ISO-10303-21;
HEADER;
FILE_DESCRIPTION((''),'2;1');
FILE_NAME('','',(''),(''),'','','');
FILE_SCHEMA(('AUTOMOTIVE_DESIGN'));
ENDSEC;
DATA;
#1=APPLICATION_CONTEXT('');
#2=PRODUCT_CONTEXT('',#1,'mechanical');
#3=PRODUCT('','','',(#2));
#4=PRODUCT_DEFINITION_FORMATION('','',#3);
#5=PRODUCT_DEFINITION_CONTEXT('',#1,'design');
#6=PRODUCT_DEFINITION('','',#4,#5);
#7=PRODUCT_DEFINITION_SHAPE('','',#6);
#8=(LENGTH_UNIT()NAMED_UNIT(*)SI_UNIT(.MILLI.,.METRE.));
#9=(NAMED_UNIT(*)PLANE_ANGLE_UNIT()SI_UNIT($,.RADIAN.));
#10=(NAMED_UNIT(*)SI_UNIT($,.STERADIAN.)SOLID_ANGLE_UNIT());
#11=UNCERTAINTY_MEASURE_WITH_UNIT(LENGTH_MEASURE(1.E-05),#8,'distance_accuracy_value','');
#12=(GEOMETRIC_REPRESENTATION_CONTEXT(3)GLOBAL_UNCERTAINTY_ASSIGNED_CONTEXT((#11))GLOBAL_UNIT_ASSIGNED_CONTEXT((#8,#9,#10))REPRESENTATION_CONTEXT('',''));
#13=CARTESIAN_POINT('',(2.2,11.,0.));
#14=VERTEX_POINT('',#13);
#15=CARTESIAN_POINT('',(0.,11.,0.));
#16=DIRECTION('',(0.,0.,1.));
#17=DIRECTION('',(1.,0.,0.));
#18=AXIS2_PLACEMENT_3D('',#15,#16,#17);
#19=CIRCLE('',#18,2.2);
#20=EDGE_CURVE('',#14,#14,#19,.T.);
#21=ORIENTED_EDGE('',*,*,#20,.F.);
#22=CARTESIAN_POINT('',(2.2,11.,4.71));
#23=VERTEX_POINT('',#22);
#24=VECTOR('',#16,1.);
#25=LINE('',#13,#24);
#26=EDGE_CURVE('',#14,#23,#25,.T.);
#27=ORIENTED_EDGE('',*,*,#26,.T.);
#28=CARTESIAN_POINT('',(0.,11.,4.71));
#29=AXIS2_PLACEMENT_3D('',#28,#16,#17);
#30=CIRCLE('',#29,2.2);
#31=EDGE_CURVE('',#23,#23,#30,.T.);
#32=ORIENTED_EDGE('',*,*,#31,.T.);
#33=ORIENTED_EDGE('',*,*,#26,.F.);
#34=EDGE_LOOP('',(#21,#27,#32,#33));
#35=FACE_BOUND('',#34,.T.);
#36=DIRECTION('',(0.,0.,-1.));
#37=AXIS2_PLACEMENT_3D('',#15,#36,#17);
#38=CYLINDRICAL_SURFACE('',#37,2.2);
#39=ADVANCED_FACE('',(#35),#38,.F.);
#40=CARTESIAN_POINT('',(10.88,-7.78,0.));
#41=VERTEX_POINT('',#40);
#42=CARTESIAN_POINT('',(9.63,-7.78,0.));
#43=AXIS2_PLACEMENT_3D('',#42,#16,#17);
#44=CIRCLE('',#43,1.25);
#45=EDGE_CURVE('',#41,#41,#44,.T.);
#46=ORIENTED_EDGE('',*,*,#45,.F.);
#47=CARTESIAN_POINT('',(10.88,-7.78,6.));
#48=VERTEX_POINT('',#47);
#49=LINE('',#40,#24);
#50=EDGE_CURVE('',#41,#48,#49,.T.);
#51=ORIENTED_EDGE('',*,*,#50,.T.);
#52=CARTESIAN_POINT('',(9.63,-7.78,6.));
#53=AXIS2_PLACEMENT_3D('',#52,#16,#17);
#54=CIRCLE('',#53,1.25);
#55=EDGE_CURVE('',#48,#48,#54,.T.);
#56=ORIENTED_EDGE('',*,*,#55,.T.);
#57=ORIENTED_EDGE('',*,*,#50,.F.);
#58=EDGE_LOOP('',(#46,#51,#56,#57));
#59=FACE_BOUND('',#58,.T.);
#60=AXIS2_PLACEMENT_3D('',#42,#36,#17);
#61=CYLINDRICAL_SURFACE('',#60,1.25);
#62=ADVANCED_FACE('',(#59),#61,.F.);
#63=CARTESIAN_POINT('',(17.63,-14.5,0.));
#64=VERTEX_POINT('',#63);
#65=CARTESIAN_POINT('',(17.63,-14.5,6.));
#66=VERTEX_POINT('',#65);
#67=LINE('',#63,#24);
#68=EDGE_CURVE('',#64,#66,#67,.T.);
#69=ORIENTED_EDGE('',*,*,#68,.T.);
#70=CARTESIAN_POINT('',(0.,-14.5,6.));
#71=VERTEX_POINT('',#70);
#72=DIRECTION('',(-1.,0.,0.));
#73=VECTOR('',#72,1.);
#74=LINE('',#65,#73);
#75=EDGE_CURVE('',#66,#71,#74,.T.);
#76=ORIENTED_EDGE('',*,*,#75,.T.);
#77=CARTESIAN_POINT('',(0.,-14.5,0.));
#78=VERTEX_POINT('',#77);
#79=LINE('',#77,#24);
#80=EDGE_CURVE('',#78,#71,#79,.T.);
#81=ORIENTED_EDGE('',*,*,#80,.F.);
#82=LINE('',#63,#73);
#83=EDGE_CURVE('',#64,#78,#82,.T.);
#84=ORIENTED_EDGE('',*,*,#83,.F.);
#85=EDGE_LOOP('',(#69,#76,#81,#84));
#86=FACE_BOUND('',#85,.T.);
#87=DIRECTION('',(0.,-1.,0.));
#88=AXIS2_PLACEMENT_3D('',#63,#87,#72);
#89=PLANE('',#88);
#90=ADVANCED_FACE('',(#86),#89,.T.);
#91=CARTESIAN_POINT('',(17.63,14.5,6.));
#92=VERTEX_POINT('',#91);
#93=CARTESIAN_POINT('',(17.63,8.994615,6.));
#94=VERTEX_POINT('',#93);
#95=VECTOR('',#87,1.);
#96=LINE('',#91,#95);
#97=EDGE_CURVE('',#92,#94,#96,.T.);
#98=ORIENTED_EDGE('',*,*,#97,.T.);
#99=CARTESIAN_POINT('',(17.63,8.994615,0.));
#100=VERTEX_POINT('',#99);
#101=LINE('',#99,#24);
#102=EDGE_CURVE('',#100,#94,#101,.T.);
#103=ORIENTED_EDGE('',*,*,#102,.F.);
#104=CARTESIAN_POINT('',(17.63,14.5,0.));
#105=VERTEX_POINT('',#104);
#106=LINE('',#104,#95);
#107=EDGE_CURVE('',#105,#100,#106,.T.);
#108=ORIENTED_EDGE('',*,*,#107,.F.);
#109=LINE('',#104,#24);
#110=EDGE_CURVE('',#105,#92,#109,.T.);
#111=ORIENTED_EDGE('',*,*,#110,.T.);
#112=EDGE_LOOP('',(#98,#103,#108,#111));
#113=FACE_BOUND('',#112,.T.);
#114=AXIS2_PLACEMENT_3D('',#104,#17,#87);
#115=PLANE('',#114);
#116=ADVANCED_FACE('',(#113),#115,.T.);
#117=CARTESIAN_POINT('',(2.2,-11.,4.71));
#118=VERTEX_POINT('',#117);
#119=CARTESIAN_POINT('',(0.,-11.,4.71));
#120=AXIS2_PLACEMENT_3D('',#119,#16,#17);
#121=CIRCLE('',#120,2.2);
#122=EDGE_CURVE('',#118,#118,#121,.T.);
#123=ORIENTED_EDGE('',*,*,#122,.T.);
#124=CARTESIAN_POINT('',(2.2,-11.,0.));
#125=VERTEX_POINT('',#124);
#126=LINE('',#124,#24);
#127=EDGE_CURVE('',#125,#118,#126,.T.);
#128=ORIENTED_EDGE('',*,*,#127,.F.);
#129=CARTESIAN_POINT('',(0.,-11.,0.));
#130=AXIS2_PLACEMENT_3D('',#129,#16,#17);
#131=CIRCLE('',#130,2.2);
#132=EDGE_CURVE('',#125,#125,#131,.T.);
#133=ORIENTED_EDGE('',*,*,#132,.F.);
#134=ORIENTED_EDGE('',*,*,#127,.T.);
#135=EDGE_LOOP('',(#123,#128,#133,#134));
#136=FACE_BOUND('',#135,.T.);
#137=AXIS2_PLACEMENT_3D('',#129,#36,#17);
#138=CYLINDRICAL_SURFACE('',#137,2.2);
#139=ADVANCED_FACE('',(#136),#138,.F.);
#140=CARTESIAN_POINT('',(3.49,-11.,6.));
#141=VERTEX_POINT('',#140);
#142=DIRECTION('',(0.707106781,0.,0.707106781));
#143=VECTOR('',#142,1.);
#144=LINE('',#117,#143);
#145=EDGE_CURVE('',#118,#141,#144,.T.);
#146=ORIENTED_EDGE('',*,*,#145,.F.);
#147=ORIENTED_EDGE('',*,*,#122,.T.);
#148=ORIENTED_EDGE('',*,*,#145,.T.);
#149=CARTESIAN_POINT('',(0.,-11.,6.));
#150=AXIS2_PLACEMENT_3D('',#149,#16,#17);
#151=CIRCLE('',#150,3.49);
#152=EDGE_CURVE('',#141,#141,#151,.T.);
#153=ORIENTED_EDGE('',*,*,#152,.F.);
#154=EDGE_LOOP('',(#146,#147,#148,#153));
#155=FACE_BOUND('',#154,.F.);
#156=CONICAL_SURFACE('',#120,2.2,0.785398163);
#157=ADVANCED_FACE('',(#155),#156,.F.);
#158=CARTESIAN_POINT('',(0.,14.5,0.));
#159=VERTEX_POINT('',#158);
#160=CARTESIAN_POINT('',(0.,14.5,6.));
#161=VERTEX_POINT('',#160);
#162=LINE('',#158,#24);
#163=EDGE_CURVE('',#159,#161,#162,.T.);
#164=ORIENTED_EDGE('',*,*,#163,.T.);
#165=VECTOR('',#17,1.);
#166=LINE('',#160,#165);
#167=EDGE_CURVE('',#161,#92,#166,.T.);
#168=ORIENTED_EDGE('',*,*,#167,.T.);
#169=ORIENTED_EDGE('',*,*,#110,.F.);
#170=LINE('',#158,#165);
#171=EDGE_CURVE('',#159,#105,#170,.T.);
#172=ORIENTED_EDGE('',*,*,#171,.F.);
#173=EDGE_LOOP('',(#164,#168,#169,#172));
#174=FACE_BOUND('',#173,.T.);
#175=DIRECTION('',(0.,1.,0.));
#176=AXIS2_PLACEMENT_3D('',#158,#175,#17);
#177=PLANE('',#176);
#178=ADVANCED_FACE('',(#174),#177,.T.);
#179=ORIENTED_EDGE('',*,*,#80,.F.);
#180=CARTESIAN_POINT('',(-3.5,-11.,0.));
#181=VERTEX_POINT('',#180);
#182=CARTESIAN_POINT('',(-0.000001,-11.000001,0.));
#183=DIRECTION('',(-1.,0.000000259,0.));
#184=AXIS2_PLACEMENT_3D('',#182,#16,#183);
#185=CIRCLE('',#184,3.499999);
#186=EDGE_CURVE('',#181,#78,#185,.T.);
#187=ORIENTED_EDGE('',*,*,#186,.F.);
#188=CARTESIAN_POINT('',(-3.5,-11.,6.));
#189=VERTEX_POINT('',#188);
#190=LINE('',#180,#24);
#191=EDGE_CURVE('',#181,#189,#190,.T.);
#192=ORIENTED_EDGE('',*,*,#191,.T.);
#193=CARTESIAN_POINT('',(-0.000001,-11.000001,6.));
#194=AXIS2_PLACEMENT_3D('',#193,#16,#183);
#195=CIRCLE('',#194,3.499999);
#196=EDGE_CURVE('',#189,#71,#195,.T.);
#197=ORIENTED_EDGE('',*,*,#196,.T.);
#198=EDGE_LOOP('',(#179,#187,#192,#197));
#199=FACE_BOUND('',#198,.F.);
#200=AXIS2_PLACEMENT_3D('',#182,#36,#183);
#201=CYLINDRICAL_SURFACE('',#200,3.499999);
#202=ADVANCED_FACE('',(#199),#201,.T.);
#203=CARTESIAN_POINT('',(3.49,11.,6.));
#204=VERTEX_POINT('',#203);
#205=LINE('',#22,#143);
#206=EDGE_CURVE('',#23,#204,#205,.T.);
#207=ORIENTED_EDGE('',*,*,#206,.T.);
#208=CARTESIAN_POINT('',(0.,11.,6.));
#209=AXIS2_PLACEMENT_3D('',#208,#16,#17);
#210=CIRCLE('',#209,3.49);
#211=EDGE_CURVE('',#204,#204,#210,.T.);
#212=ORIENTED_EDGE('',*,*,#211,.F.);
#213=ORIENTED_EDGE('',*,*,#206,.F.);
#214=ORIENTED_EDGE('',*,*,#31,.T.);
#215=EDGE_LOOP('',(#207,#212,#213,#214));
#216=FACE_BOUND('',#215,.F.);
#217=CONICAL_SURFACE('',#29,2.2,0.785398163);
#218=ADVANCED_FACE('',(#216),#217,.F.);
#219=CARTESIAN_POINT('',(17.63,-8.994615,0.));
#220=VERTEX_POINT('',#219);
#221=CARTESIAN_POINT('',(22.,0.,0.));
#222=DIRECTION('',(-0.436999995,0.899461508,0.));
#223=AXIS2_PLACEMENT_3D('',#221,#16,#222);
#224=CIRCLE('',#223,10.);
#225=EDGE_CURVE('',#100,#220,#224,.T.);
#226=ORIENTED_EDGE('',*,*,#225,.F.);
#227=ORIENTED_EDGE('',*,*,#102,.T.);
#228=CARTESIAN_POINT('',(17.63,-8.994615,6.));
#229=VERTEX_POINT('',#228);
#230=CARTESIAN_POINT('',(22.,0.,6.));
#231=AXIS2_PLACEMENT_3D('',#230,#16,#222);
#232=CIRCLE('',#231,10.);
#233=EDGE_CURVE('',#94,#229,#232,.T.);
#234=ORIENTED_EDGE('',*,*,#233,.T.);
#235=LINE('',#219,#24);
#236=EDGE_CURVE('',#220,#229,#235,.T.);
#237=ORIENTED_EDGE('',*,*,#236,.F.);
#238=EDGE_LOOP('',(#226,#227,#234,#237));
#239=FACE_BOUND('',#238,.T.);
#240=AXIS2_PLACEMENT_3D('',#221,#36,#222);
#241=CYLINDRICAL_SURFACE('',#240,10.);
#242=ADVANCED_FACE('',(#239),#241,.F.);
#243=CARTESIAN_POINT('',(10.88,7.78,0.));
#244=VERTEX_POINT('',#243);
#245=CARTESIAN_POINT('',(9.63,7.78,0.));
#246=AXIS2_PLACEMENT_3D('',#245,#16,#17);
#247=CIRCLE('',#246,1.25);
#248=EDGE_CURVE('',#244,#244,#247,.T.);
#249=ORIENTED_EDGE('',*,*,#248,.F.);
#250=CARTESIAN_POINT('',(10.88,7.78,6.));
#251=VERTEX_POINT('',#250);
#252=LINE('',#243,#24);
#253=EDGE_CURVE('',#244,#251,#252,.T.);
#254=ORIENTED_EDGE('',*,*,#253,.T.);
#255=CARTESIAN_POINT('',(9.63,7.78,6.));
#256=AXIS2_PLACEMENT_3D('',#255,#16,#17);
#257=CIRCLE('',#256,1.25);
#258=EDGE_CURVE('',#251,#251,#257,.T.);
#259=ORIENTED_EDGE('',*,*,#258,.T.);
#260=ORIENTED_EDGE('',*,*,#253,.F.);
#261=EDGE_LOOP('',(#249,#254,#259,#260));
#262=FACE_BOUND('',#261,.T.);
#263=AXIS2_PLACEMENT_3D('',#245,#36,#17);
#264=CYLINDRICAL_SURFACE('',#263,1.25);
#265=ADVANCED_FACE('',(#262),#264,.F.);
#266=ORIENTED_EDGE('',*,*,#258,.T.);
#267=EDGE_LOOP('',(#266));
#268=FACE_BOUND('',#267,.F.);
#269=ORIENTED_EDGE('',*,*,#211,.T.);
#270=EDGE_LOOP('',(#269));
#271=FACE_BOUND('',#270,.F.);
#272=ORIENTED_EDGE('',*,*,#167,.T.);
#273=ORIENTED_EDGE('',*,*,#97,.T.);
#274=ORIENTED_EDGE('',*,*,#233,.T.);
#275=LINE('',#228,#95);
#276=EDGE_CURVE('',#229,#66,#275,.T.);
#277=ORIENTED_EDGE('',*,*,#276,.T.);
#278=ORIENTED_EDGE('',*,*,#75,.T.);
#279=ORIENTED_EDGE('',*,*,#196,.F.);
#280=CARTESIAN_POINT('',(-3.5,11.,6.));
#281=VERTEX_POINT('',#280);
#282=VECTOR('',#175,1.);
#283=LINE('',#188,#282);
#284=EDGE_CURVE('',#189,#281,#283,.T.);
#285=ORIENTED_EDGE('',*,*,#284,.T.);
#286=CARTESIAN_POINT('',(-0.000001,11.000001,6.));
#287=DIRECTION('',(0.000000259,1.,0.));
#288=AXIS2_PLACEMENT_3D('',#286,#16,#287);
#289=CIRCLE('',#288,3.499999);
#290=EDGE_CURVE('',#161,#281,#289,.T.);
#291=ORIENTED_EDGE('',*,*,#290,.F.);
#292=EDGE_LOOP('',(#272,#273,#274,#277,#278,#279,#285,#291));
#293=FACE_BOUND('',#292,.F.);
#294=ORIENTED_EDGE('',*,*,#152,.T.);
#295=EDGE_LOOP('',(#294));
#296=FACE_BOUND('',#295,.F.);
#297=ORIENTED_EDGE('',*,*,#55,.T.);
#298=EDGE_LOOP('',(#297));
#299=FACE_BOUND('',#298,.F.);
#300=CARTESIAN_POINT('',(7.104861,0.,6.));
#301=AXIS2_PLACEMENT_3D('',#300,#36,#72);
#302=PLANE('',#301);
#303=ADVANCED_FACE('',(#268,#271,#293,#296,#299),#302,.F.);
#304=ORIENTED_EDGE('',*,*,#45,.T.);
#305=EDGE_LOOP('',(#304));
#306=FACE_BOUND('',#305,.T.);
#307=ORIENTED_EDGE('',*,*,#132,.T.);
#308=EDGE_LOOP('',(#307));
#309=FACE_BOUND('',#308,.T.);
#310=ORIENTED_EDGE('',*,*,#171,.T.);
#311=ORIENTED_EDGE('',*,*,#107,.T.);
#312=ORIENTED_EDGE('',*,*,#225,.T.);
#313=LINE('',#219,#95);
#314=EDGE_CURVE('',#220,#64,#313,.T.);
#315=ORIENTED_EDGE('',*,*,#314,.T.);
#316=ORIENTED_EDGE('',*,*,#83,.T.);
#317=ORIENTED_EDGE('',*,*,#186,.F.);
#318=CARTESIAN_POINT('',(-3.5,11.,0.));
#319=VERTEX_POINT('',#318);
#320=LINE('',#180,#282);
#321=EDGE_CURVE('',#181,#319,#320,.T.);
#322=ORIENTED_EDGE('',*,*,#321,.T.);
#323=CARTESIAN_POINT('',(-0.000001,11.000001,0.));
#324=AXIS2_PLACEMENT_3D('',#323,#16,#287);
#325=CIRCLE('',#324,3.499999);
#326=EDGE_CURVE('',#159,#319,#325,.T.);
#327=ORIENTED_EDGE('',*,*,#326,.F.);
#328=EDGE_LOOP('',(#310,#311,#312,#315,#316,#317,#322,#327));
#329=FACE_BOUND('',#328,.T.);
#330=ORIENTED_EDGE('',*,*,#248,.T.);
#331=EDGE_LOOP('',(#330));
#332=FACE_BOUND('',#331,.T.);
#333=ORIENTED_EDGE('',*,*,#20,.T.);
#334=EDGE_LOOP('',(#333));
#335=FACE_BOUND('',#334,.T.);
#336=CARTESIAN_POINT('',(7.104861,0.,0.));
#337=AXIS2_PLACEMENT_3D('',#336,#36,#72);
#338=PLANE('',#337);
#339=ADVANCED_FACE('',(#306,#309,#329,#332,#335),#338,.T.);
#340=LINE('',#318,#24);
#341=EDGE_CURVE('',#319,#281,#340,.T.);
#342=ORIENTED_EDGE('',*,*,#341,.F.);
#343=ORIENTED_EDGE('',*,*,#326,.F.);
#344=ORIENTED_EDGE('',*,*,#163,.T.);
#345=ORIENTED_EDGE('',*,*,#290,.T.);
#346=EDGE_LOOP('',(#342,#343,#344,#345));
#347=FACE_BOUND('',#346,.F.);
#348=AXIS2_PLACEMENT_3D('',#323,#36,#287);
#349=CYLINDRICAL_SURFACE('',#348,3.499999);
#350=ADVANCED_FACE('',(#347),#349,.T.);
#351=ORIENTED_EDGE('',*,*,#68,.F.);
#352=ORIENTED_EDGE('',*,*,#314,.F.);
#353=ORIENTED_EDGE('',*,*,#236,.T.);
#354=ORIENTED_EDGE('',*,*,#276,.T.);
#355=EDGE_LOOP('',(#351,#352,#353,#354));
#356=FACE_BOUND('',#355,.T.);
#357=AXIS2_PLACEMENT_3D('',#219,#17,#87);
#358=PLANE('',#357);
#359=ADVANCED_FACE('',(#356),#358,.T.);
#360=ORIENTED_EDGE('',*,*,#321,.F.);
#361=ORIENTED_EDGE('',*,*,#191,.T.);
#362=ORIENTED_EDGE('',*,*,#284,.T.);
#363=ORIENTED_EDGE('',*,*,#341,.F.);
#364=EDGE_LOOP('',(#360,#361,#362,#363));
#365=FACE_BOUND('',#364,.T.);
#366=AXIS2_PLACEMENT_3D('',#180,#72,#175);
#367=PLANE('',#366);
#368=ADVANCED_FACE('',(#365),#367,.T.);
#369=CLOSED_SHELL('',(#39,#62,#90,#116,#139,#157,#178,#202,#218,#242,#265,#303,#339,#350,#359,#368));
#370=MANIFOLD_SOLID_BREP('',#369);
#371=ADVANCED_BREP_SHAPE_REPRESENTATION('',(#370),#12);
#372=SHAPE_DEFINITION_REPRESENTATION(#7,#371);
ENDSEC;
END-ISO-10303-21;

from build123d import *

# Parameters (mm, degrees)
SKETCH_R     = 2.2
SKETCH_R_2   = 1.25
PAD_DEPTH    = 6
CHAMFER_SIZE = 1.29


with BuildPart() as part:
    # Sketch → Pad (new body)
    with BuildSketch(Plane.XY):
        with BuildLine():
            Line((0, 14.5), (17.63, 14.5))
            Line((17.63, 14.5), (17.63, 8.994615))
            ThreePointArc((17.63, 8.994615), (12, 0), (17.63, -8.994615))
            Line((17.63, -8.994615), (17.63, -14.5))
            Line((17.63, -14.5), (0, -14.5))
            ThreePointArc((-3.5, -11), (-2.474874, -13.474874), (0, -14.5))
            Line((-3.5, -11), (-3.5, 11))
            ThreePointArc((0, 14.5), (-2.474874, 13.474874), (-3.5, 11))
        make_face()
        with Locations((0, 11)):
            Circle(SKETCH_R, mode=Mode.SUBTRACT)
        with Locations((0, -11)):
            Circle(SKETCH_R, mode=Mode.SUBTRACT)
        with Locations((9.63, 7.78)):
            Circle(SKETCH_R_2, mode=Mode.SUBTRACT)
        with Locations((9.63, -7.78)):
            Circle(SKETCH_R_2, mode=Mode.SUBTRACT)
    extrude(amount=PAD_DEPTH)

    # Chamfer
    chamfer_edges = [part.edges().sort_by_distance(p)[0] for p in [
        (-2.2, -11, 6),
        (-2.2, 11, 6),
    ]]
    chamfer(chamfer_edges, length=CHAMFER_SIZE)


solid = part.part
